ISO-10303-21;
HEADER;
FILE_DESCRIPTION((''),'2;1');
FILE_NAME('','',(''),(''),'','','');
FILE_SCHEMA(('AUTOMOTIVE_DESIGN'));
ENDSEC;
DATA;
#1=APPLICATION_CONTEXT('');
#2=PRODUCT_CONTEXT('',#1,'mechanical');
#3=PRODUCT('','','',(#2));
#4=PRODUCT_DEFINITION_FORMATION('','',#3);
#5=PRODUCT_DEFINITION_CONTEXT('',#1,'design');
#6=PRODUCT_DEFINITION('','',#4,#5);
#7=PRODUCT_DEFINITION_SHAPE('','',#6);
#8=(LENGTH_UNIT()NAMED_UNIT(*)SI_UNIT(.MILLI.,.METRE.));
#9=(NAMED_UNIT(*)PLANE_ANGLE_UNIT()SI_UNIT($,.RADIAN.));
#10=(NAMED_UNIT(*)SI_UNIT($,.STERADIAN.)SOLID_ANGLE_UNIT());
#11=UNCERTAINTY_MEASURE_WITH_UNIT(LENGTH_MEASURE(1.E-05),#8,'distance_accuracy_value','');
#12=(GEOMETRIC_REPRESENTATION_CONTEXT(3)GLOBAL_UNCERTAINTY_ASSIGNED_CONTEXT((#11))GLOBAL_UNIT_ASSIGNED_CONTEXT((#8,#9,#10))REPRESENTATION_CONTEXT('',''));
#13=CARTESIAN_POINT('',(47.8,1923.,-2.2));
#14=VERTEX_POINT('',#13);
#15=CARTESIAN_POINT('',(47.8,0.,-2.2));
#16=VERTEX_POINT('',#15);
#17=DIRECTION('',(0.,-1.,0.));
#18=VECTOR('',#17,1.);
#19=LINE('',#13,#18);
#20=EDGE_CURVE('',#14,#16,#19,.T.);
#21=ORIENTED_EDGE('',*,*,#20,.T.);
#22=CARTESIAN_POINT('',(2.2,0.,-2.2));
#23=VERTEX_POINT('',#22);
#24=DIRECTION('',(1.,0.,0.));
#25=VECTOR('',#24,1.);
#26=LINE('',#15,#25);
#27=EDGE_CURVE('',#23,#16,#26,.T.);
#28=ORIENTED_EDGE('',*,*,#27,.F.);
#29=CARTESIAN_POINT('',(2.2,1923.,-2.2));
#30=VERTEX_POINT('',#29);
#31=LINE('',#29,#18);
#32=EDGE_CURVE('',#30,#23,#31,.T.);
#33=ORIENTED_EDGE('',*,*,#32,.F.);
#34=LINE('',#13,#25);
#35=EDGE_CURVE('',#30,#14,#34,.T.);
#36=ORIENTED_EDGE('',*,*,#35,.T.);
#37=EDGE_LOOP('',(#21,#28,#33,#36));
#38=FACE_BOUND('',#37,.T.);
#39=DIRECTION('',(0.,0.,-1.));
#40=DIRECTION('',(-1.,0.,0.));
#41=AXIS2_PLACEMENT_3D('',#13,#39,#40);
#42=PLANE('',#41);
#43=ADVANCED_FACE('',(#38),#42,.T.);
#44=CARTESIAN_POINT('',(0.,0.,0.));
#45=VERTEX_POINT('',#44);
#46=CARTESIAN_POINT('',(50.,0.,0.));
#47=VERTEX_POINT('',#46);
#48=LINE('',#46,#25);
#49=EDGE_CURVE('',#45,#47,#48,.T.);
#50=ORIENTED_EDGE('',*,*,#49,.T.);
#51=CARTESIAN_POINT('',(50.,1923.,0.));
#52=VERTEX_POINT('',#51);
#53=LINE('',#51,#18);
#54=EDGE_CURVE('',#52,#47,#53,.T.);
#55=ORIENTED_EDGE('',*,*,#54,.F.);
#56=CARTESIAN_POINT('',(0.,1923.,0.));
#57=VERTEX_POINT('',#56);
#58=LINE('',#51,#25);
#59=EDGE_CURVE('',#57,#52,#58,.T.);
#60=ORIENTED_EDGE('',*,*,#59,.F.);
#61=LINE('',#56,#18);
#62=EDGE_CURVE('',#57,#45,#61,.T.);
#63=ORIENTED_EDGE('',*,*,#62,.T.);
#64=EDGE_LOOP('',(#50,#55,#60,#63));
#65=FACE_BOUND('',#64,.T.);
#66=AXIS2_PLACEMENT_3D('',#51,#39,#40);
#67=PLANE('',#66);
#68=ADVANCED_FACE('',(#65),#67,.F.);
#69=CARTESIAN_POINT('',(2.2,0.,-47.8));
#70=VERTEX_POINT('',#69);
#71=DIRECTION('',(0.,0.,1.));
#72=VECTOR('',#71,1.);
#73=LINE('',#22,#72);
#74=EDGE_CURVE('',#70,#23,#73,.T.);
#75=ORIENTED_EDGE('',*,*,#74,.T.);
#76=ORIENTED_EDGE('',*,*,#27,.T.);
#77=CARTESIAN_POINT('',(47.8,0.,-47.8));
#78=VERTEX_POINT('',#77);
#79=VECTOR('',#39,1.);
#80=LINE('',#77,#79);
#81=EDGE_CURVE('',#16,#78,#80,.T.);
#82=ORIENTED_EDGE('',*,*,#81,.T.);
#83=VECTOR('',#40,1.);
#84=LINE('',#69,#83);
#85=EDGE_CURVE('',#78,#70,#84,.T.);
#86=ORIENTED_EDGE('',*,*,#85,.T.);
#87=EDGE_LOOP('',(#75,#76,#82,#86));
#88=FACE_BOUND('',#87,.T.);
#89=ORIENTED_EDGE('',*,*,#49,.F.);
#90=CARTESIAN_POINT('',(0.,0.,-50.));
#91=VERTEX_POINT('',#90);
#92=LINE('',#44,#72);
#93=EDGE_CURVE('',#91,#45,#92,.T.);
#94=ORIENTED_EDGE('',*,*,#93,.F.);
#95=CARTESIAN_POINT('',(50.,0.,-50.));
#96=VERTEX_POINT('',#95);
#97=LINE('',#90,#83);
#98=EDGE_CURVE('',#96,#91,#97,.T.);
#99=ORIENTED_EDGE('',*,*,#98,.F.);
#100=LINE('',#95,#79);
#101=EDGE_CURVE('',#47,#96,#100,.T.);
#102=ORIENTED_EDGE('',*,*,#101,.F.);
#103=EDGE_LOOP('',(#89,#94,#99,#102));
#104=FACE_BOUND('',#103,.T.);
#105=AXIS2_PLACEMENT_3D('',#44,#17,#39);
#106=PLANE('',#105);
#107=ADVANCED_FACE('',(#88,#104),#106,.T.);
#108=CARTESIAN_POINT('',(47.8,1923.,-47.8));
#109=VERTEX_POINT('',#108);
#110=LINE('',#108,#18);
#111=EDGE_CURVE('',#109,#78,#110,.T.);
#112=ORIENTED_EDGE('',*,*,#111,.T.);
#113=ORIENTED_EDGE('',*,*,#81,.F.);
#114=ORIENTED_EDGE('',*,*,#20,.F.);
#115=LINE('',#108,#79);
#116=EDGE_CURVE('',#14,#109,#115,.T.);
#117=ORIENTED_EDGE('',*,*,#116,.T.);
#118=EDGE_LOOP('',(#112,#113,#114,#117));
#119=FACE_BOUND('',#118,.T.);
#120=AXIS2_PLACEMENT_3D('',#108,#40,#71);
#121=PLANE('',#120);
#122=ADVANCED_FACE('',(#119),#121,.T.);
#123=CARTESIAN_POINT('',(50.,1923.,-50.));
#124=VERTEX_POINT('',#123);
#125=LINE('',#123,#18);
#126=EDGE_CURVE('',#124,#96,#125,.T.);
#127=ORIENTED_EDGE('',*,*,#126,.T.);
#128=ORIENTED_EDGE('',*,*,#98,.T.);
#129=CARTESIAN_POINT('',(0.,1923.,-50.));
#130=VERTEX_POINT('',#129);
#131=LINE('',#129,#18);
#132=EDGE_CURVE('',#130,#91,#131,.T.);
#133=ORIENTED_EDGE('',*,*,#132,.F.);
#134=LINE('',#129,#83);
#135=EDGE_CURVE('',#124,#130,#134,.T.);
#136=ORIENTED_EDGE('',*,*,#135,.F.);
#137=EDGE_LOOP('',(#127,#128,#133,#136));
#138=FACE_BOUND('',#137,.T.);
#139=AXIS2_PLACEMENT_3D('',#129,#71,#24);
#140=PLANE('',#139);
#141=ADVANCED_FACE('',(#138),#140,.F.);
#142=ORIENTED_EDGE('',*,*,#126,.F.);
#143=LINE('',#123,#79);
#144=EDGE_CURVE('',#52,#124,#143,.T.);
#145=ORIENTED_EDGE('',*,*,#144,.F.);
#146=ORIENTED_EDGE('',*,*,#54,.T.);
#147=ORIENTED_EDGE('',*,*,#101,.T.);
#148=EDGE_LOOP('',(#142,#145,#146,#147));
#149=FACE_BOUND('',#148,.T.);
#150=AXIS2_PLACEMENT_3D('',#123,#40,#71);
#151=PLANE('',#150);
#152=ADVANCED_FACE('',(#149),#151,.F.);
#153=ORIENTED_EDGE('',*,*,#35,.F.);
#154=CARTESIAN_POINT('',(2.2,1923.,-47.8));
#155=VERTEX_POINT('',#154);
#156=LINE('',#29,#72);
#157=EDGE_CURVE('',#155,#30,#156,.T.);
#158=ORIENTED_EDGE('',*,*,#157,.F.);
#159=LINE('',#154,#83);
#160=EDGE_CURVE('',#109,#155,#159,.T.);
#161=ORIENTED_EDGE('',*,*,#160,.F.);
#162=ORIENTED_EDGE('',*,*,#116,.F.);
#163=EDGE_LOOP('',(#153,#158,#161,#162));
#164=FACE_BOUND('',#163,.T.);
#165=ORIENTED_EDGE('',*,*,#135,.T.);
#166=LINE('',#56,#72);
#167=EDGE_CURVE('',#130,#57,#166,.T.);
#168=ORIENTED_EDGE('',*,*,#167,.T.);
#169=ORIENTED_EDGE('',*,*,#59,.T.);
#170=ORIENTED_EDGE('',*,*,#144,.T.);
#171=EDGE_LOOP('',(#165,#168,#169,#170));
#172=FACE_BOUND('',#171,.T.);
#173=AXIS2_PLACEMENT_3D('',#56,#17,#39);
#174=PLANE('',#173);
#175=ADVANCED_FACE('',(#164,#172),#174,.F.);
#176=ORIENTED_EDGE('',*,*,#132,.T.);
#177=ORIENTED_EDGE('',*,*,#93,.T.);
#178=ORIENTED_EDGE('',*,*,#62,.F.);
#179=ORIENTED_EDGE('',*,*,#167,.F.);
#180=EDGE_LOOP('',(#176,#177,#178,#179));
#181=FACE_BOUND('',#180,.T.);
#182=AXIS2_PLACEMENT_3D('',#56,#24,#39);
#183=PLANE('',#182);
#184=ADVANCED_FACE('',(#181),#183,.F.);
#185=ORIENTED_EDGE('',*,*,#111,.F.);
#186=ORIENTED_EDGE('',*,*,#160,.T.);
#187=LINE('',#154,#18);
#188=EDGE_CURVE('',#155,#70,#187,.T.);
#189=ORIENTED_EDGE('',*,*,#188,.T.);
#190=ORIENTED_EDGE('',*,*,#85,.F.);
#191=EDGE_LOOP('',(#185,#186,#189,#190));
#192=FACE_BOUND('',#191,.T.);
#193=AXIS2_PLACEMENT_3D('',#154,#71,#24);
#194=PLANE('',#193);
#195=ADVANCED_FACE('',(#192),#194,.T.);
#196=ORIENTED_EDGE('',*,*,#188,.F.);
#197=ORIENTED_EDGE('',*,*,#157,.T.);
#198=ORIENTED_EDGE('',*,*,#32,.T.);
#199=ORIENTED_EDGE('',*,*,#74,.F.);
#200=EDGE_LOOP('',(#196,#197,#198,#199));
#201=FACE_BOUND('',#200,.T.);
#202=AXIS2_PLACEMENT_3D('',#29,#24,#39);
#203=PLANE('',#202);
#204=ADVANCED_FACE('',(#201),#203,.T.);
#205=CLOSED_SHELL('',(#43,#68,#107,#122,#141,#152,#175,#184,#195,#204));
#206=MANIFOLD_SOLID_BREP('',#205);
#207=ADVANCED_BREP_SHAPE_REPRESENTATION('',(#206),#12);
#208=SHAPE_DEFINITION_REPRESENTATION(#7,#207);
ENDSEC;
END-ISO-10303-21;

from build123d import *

# Parameters (mm, degrees)
SKETCH1_W           = 50
SKETCH1_H           = 50
SKETCH1_W_2         = 45.6
SKETCH1_H_2         = 45.6
BOSS_EXTRUDE1_DEPTH = 1923


with BuildPart() as part:
    # Sketch1 → Boss-Extrude1 (new body)
    with BuildSketch(Plane(origin=(0, 0, 0), x_dir=(1, 0, 0), z_dir=(0, 1, 0))):
        with Locations((25, 25)):
            Rectangle(SKETCH1_W, SKETCH1_H)
        with Locations((25, 25)):
            Rectangle(SKETCH1_W_2, SKETCH1_H_2, mode=Mode.SUBTRACT)
    extrude(amount=BOSS_EXTRUDE1_DEPTH)


solid = part.part
